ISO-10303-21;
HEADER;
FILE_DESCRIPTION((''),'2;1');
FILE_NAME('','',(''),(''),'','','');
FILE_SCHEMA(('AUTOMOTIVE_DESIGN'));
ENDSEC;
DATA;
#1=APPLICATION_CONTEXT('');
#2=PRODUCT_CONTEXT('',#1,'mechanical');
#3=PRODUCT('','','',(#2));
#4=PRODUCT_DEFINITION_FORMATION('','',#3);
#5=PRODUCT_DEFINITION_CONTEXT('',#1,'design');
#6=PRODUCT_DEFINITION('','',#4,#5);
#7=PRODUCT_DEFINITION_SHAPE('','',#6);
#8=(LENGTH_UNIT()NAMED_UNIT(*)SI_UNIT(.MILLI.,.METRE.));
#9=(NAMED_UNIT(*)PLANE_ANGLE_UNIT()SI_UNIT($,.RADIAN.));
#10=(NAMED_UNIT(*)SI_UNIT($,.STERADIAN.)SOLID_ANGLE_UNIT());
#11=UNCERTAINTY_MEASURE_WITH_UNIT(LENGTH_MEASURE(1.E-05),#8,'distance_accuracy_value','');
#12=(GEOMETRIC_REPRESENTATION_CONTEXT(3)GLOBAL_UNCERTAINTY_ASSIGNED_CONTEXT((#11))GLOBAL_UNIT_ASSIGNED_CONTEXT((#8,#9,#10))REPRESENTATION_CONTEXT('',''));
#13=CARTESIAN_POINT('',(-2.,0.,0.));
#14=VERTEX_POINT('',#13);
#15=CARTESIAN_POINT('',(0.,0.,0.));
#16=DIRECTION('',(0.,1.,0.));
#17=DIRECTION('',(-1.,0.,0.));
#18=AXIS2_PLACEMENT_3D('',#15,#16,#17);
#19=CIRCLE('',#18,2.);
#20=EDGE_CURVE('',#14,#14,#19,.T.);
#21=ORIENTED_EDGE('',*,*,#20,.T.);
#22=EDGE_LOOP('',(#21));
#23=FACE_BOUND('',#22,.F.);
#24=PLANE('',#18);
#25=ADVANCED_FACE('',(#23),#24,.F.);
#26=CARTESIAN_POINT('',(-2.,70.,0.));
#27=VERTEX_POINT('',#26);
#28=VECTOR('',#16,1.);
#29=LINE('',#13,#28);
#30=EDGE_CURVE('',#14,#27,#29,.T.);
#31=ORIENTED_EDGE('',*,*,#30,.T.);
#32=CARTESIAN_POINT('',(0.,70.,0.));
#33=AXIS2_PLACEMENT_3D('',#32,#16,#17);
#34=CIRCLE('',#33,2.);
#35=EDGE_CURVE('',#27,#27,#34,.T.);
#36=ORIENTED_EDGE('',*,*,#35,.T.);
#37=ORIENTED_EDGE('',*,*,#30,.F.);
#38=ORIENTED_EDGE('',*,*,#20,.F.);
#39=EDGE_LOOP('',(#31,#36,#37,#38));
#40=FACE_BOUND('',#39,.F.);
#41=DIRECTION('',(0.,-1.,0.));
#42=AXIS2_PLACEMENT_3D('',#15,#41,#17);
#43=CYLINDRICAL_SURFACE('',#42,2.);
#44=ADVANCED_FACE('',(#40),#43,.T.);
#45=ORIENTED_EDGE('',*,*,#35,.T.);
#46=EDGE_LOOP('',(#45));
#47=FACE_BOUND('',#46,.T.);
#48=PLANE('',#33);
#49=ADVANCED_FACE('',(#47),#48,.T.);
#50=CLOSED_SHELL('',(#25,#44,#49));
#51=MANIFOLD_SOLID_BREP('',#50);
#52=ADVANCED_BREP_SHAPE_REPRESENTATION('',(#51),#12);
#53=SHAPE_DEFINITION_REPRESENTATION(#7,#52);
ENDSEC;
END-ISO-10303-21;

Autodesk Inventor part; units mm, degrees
ref_plane "YZ Plane" through (0, 0, 0) normal (1, 0, 0) x (0, 1, 0)
ref_plane "XZ Plane" through (0, 0, 0) normal (0, 1, 0) x (-1, 0, 0)
ref_plane "XY Plane" through (0, 0, 0) normal (0, 0, 1) x (1, 0, 0)
sketch "Sketch1" plane through (0, 0, 0) normal (0, 1, 0) x (-1, 0, 0)
  circle A0 centre (0, 0) radius 2
  dimension "d0" = 4
extrude "Extrusion1" add sketch "Sketch1" along normal blind 70
properties part number "eje" material "Steel"
